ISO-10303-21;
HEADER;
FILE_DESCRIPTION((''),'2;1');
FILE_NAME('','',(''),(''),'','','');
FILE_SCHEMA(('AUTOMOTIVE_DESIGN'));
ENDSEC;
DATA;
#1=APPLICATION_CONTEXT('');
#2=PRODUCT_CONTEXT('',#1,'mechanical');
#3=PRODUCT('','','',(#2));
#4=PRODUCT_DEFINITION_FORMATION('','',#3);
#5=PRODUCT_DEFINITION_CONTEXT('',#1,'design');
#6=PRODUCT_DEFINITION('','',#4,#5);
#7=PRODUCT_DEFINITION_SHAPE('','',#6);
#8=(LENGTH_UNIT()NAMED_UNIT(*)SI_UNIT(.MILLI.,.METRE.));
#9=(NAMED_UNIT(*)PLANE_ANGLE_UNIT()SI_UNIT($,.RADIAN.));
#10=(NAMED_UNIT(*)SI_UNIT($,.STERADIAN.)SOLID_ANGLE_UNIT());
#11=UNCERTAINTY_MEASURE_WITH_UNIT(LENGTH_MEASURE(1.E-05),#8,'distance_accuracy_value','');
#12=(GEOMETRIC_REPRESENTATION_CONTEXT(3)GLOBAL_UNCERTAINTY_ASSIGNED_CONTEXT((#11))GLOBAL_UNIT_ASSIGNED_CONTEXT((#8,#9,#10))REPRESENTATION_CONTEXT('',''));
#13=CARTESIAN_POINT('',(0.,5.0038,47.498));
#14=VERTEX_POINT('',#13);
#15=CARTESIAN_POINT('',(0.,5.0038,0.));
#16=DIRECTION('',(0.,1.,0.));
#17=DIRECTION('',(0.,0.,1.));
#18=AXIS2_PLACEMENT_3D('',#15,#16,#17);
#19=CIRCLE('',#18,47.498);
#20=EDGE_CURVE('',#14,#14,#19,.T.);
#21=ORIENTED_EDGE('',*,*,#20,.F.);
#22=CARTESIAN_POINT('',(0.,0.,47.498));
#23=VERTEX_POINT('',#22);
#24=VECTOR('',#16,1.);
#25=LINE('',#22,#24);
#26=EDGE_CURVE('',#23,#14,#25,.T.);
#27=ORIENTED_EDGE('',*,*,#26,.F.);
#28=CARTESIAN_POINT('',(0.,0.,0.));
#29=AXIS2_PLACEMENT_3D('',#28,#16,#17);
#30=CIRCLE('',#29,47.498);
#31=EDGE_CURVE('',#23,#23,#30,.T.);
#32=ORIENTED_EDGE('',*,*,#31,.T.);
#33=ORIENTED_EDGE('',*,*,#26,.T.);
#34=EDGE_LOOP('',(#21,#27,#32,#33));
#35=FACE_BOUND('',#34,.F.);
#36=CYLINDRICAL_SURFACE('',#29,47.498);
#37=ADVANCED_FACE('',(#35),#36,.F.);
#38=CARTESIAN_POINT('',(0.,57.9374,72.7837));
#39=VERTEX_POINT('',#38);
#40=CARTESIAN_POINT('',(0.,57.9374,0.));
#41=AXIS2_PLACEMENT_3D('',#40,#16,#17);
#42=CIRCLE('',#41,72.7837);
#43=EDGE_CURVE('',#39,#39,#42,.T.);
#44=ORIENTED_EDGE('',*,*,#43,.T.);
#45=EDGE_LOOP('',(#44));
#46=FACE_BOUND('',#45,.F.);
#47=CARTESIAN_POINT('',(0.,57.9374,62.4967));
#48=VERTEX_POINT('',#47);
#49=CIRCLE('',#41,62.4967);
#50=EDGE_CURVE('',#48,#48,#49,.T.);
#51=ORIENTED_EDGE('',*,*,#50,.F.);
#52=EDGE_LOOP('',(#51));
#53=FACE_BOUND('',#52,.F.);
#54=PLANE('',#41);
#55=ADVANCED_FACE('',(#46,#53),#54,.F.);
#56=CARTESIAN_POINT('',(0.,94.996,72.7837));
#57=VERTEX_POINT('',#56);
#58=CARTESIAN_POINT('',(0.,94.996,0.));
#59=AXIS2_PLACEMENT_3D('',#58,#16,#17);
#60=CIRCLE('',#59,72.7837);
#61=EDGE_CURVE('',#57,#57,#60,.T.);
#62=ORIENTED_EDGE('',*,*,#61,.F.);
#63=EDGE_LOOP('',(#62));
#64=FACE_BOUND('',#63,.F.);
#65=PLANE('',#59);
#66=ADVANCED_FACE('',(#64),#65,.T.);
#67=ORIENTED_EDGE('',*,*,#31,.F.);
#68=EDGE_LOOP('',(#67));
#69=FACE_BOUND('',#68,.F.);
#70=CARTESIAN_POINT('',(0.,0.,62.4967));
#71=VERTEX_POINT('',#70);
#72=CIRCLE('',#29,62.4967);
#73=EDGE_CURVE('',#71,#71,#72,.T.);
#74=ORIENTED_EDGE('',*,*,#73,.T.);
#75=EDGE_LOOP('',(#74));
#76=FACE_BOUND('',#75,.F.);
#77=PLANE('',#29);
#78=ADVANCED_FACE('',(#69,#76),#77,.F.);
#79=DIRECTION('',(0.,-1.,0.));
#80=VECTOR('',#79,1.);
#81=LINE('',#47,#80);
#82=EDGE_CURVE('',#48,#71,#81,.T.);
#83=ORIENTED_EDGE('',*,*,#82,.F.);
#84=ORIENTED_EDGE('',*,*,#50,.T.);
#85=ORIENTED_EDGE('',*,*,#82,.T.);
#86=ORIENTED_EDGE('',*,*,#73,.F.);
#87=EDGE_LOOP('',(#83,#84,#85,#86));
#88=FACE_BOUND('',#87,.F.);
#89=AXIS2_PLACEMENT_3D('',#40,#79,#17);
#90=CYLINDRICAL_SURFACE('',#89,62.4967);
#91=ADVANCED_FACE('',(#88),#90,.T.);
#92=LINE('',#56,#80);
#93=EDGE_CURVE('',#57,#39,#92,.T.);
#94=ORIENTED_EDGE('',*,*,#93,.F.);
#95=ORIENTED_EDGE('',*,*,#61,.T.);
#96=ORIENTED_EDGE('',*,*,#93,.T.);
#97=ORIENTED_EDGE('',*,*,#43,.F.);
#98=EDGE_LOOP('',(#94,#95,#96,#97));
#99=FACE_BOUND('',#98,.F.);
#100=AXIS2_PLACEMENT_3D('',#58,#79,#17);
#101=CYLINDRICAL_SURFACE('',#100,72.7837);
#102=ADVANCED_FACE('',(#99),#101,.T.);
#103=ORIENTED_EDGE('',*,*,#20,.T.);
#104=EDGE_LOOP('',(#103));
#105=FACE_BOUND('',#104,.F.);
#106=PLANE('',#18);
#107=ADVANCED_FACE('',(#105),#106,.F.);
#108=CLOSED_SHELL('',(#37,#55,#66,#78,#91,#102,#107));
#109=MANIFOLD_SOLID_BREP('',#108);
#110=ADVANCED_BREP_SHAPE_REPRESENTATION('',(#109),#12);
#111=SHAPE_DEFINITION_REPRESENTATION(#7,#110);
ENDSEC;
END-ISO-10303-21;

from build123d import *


with BuildPart() as f2:
    # F0 (on Right) → F2 (revolve)
    with BuildSketch(Plane.YZ):
        Polygon((5.0038, 47.498), (5.0038, 0), (57.9374, 0), (57.9374, 62.4967), (0, 62.4967), (0, 47.498), align=None)
        Polygon((57.9374, 62.4967), (57.9374, 0), (94.996, 0), (94.996, 72.7837), (57.9374, 72.7837), align=None)
    revolve(axis=Axis((0, 35.516532, 0), (0, 1, 0)))


solid = f2.part
